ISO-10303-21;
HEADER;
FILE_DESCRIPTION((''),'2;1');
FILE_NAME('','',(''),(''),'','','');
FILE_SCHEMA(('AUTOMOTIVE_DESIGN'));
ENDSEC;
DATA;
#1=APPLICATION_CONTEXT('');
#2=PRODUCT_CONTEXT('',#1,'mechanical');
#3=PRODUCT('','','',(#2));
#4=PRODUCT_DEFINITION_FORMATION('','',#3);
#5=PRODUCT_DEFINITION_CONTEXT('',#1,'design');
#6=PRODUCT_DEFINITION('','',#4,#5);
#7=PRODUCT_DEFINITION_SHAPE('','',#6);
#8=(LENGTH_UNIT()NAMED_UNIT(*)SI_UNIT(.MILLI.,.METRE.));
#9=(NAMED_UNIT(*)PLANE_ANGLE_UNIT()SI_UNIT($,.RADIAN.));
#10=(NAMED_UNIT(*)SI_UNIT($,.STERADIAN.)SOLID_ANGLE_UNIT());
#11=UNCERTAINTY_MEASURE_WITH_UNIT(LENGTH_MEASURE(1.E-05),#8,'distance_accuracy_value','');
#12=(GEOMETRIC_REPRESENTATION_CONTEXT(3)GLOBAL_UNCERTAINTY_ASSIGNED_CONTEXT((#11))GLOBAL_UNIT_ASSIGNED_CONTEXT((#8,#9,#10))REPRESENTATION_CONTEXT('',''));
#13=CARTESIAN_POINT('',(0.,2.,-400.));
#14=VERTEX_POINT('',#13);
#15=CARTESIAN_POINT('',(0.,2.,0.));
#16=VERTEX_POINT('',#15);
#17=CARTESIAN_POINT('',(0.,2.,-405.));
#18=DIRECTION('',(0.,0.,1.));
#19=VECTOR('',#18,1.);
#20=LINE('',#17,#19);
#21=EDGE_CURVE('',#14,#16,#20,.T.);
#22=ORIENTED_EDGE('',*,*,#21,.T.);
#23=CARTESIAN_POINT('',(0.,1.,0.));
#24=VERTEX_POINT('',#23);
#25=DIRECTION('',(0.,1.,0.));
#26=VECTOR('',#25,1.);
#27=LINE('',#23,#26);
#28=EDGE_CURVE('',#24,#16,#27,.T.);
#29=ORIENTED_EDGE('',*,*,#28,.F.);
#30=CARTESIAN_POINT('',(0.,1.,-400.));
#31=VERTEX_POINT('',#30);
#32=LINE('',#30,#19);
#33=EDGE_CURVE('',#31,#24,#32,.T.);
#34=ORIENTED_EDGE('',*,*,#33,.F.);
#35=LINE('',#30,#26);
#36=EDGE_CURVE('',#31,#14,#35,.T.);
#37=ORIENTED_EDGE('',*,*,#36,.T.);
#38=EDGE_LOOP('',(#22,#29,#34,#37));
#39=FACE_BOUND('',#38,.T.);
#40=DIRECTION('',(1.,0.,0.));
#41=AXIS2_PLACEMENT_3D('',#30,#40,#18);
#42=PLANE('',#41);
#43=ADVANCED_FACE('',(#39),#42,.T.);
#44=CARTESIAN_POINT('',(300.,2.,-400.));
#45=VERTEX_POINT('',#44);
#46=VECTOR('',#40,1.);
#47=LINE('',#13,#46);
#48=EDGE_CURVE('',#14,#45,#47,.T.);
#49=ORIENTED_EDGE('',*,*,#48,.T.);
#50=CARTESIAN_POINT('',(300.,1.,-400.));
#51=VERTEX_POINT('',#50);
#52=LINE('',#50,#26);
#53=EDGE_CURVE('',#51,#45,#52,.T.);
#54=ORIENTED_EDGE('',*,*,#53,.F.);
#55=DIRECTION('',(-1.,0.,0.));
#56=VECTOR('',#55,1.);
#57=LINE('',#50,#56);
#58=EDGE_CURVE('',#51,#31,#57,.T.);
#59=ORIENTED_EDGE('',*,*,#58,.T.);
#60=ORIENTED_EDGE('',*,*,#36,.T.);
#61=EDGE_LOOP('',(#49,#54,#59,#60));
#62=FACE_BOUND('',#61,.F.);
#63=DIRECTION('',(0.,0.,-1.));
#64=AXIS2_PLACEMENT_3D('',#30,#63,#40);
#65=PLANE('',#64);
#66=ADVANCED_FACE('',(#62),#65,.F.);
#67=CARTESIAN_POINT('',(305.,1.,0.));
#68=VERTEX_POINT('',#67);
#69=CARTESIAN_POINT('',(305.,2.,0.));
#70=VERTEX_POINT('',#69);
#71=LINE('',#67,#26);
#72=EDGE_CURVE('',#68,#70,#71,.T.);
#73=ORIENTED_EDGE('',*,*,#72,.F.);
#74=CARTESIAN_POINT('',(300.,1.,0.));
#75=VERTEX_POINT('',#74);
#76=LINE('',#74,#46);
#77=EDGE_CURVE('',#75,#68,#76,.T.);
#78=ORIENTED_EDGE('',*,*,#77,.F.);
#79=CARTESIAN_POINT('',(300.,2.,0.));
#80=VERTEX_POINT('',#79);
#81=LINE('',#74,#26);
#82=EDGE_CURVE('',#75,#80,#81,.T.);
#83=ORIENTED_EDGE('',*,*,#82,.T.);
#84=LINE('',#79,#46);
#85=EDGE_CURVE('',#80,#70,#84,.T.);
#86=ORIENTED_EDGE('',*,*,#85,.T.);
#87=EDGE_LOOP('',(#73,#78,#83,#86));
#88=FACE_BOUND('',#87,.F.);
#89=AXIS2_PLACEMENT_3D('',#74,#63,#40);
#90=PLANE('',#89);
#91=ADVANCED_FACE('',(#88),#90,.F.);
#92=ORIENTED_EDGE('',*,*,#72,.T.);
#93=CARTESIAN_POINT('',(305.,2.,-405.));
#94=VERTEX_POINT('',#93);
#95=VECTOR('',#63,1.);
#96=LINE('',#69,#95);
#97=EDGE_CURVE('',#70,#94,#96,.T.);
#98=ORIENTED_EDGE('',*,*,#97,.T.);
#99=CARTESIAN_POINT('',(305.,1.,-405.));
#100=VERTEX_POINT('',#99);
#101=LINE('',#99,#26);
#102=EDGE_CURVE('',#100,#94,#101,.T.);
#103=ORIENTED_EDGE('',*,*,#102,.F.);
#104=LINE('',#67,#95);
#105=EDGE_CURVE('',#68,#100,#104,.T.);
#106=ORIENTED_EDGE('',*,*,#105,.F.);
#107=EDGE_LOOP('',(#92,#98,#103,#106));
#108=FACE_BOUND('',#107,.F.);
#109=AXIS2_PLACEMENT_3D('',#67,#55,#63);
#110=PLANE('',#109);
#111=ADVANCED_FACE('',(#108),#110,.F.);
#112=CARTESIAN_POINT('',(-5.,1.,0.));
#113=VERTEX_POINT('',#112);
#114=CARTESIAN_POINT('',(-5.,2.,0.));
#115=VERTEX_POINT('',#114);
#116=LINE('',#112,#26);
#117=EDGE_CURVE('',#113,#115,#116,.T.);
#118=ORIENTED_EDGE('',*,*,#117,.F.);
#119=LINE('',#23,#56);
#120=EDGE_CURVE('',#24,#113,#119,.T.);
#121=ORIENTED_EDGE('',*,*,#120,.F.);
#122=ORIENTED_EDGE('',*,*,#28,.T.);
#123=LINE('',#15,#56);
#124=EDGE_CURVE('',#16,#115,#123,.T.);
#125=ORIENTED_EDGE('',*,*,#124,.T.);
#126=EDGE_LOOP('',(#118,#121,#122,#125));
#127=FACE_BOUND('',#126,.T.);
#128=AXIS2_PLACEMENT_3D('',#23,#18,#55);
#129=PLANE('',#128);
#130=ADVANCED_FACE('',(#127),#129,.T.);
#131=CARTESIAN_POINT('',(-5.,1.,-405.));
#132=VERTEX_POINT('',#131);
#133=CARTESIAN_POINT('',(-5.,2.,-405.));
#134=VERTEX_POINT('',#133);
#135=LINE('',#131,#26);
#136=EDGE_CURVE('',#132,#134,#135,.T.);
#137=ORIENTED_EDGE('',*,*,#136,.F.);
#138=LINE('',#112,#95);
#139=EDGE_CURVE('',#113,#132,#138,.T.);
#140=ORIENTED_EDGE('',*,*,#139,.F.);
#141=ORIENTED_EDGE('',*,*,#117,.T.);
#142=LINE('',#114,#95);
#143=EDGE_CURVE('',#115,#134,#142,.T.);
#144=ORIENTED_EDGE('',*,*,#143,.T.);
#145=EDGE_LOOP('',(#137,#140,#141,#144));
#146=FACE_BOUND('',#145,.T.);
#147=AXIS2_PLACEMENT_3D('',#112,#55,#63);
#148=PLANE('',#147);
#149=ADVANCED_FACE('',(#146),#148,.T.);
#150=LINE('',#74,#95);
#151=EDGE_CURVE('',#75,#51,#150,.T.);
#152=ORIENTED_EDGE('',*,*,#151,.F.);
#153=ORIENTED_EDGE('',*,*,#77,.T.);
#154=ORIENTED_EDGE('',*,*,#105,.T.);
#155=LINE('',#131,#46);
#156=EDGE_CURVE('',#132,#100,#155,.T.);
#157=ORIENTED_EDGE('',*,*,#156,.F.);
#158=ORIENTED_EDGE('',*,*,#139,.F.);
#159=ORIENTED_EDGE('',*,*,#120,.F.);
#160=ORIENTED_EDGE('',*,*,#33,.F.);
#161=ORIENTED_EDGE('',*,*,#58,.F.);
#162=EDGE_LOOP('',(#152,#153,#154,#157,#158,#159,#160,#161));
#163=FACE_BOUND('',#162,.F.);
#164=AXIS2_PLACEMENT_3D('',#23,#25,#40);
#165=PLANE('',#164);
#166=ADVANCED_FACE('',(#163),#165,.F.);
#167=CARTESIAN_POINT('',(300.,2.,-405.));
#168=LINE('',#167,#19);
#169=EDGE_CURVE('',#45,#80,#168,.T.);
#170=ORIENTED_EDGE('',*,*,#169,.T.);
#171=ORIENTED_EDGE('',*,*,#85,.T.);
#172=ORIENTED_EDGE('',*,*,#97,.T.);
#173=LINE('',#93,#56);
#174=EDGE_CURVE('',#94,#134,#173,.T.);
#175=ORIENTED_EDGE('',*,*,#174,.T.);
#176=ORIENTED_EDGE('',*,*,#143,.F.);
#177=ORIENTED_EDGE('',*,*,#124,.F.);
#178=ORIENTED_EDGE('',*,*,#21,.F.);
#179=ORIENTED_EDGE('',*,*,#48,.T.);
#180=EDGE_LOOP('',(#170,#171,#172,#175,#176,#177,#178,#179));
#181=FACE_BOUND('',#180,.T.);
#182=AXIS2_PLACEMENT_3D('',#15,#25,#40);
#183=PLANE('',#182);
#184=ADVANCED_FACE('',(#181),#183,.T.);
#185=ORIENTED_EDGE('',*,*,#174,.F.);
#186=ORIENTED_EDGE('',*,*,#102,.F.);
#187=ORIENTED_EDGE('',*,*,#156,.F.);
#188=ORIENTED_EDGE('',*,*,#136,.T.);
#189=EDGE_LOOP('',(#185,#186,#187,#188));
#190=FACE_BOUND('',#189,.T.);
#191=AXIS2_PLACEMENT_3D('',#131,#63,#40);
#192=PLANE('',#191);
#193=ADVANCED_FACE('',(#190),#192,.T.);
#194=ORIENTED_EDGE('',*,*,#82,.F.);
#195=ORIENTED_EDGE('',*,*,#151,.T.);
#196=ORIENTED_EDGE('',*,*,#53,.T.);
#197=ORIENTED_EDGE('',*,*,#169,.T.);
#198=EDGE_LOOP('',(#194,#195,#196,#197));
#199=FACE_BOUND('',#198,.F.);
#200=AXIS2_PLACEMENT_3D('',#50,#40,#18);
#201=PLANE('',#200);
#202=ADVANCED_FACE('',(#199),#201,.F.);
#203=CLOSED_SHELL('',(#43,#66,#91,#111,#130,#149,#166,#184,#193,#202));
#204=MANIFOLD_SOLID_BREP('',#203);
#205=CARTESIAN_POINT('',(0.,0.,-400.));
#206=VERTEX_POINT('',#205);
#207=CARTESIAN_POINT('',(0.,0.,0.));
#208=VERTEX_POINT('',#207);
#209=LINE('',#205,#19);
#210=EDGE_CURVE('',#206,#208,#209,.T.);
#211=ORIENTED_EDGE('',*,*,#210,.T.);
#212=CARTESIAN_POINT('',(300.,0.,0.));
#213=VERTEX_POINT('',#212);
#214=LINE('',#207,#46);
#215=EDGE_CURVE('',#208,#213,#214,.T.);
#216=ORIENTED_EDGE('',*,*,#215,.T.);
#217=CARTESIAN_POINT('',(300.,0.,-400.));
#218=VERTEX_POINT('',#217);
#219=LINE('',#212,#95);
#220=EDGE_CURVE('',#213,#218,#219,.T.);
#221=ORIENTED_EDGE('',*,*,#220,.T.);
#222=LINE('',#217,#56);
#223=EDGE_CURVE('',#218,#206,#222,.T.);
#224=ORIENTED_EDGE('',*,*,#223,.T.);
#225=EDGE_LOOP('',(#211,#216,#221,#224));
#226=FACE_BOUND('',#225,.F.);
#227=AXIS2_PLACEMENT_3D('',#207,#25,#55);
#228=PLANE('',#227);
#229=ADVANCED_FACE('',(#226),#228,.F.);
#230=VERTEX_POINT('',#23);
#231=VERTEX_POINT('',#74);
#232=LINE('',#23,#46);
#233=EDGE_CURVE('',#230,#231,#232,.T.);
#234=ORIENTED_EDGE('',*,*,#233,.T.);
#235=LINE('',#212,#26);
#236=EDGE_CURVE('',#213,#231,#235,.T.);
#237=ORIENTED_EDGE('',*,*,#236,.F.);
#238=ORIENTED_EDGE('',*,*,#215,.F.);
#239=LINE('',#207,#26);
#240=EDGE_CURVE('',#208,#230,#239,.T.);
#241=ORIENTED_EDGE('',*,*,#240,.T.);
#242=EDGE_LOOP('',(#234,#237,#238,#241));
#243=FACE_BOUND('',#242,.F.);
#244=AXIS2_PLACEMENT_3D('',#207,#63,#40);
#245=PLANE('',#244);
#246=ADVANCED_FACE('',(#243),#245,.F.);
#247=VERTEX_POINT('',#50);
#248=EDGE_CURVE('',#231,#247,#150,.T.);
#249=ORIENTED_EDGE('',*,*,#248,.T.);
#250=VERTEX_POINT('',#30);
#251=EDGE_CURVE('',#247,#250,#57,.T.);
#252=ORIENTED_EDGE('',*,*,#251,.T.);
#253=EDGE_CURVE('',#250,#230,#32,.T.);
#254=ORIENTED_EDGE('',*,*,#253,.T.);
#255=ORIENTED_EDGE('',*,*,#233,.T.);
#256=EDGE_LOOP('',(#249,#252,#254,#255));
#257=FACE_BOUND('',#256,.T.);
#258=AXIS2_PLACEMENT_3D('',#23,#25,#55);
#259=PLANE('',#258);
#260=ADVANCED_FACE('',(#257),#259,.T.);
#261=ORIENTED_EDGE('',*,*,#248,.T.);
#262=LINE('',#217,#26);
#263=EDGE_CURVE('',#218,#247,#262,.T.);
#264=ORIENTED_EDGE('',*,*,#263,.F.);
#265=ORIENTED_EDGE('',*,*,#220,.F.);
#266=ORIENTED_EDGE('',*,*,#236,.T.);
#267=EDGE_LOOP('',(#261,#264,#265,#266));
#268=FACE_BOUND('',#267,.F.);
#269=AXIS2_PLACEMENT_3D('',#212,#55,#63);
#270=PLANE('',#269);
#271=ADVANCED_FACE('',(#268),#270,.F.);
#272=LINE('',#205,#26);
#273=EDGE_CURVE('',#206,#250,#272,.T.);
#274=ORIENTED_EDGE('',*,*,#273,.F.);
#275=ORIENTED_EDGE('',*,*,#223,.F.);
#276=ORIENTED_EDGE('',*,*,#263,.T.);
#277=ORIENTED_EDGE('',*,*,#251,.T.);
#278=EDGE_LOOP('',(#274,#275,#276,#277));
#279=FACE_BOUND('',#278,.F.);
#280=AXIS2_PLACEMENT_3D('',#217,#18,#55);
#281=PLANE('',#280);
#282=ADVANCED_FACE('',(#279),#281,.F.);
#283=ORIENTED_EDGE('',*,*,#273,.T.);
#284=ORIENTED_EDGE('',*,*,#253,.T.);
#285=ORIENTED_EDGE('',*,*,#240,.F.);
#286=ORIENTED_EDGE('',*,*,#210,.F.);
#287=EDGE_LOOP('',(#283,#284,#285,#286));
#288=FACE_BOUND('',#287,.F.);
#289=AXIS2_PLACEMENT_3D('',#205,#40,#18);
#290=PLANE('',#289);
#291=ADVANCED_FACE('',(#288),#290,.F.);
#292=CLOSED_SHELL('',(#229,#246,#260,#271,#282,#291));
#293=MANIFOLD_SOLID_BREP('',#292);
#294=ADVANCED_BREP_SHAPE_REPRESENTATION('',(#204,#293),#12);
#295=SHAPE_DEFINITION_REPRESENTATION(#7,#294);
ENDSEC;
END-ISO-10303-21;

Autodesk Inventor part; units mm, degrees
ref_plane "YZ Plane" through (0, 0, 0) normal (1, 0, 0) x (0, 1, 0)
ref_plane "XZ Plane" through (0, 0, 0) normal (0, 1, 0) x (-1, 0, 0)
ref_plane "XY Plane" through (0, 0, 0) normal (0, 0, 1) x (1, 0, 0)
sketch "Sketch1" plane through (0, 0, 0) normal (0, 1, 0) x (-1, 0, 0)
  line L0 (0, 0) -> (-300, 0)
  line L1 (-300, 0) -> (-300, -400)
  line L2 (-300, -400) -> (0, -400)
  line L3 (0, -400) -> (0, 0)
  dimension "d0" = 300
  dimension "d1" = 400
extrude "Extrusion1" add sketch "Sketch1" along normal blind 1
sketch "Sketch2" plane through (0, 1, 0) normal (0, 1, 0) x (1, 0, 0)
  line L0 (0, 0) -> (300, 0) projected
  line L1 (0, 0) -> (-5, 0)
  line L2 (-5, 0) -> (-5, 405)
  line L3 (-5, 405) -> (0, 405)
  line L4 (0, 405) -> (0, 0)
  line L5 (300, 0) -> (305, 0)
  line L6 (305, 0) -> (305, 405)
  line L7 (305, 405) -> (300, 405)
  line L8 (300, 405) -> (300, 0)
  line L9 (0, 400) -> (0, 0) projected
  line L10 (300, 405) -> (0, 405)
  line L11 (0, 405) -> (0, 400)
  line L12 (0, 400) -> (300, 400)
  line L13 (300, 400) -> (300, 405)
  dimension "d4" = 5
  dimension "d5" = 405
  dimension "d6" = 5
  dimension "d7" = 405
extrude "Extrusion2" add sketch "Sketch2" along normal blind 1 contours L1 L2 L3 L4 | L8 L7 L6 L5 | L4 L10 L8 L12
properties part number "Parkeervak"
